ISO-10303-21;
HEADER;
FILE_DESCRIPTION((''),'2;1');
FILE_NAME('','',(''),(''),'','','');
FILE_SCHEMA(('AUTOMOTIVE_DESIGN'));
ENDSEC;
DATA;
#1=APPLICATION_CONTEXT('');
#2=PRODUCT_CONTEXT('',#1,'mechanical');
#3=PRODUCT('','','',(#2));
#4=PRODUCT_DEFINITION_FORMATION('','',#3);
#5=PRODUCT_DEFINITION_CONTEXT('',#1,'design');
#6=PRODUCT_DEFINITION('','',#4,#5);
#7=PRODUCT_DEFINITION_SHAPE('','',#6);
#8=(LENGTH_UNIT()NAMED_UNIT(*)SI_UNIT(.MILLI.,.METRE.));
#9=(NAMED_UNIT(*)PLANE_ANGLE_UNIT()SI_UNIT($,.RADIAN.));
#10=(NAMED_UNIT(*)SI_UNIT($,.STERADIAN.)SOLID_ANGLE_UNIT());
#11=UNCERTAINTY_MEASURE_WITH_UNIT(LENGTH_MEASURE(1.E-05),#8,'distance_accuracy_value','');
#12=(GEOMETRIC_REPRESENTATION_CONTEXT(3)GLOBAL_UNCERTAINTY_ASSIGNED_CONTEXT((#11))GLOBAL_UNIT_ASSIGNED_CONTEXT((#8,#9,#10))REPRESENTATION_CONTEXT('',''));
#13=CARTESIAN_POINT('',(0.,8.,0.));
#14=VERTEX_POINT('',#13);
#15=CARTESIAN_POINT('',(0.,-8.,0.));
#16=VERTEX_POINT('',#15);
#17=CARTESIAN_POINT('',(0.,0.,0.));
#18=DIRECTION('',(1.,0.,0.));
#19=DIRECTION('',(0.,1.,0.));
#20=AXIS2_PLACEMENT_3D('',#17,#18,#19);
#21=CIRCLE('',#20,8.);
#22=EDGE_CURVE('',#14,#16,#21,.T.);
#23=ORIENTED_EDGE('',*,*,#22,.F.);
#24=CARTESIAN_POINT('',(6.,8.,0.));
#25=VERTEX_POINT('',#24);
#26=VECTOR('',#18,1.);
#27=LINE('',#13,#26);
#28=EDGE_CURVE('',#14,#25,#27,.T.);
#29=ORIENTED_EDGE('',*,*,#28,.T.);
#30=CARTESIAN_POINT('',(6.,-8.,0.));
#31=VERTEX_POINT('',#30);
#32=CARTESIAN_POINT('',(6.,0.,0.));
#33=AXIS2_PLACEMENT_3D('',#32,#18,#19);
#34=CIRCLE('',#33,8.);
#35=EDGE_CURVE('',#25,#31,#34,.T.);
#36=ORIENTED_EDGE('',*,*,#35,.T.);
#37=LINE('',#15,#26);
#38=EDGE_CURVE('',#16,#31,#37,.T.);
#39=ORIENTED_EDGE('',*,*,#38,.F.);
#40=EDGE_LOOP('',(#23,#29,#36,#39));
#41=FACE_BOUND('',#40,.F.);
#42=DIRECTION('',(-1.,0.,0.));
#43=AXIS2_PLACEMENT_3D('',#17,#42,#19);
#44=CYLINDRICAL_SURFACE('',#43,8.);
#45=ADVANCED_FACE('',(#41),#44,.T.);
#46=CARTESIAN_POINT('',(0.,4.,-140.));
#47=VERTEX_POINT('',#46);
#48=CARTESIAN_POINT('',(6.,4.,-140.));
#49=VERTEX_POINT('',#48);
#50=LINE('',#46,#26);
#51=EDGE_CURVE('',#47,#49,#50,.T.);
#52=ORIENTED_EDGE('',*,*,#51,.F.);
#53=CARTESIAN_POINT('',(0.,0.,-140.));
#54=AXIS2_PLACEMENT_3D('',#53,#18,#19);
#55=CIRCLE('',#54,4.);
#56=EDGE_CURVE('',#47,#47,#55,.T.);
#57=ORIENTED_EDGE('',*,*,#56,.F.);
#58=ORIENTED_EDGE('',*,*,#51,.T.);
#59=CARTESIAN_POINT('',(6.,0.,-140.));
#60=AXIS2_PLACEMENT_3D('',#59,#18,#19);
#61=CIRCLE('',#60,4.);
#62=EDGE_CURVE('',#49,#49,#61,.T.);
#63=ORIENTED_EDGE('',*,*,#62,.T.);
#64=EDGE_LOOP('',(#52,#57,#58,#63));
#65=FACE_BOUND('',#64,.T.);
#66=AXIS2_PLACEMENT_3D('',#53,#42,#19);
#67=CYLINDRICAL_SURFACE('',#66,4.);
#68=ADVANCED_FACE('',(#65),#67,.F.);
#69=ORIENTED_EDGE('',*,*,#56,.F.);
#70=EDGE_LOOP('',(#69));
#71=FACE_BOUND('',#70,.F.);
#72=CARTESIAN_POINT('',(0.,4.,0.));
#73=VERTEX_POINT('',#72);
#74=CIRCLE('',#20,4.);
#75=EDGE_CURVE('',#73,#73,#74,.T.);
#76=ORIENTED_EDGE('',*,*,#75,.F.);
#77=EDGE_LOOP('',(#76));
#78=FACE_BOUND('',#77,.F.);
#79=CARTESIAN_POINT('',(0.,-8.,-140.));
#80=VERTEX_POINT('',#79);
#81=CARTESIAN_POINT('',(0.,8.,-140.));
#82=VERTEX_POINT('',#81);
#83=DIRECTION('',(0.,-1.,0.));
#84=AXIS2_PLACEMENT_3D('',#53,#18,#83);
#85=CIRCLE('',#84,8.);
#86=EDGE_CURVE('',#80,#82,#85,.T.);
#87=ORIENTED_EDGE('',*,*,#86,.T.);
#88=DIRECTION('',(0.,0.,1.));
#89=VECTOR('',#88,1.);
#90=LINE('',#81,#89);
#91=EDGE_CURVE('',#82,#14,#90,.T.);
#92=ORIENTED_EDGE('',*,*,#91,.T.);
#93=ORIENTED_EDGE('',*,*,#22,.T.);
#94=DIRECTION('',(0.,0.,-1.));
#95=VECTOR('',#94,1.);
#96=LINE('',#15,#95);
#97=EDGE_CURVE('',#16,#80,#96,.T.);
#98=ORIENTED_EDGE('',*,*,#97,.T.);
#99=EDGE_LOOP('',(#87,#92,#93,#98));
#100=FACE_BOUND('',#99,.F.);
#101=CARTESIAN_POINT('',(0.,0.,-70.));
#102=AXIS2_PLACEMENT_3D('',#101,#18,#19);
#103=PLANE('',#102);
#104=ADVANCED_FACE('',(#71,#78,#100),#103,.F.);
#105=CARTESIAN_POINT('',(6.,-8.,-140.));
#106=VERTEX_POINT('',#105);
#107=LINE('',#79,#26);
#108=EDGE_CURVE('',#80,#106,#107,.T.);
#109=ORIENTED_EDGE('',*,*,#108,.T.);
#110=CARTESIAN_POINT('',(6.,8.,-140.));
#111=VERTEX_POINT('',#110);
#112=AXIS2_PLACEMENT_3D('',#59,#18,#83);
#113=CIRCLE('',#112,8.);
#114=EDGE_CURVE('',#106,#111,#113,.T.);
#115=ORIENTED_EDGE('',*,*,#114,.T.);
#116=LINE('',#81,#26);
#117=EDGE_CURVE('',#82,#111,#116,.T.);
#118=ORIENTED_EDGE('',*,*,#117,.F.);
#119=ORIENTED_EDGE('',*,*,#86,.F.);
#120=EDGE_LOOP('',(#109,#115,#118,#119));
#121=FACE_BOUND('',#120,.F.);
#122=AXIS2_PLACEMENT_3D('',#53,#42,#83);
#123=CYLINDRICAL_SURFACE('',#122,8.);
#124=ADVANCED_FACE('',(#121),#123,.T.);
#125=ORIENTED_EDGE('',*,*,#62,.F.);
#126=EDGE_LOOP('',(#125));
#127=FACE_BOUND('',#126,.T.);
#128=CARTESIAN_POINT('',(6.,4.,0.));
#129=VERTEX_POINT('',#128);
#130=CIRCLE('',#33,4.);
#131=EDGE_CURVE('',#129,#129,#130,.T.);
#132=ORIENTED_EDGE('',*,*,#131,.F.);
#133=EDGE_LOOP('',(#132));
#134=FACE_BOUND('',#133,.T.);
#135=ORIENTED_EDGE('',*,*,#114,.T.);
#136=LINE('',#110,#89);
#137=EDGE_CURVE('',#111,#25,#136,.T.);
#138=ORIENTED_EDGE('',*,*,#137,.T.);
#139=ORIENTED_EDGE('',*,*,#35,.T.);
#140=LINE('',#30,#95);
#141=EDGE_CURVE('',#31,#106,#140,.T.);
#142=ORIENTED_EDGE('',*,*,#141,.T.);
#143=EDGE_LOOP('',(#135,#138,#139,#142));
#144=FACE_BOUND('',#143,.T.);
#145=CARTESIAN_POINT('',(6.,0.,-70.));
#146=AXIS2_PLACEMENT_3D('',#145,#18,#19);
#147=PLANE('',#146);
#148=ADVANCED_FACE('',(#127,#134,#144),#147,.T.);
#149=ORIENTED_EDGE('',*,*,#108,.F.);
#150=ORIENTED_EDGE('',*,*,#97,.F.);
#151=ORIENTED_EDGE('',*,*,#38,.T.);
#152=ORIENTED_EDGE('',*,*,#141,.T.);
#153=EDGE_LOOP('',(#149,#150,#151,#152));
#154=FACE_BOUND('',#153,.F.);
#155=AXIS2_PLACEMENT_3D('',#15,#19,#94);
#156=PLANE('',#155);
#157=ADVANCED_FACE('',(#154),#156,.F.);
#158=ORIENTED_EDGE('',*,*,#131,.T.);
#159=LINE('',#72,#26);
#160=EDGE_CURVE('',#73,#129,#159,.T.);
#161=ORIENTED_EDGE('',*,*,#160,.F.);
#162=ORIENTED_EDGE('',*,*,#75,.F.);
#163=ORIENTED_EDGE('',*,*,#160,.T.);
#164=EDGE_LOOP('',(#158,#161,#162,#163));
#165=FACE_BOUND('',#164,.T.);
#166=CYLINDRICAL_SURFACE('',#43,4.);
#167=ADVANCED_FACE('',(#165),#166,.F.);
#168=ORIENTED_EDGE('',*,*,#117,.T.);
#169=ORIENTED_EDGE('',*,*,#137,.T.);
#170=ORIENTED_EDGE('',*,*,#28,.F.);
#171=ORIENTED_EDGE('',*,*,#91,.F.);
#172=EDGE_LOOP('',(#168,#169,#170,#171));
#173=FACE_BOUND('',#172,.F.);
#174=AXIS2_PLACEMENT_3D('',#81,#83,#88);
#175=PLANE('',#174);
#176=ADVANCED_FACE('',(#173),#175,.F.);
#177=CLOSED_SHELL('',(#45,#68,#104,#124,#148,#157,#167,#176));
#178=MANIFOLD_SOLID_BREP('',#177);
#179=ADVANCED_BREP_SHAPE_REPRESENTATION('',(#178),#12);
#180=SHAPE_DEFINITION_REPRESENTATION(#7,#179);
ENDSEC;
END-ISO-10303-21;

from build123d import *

# Parameters (mm, degrees)
F0_R     = 4
F1_DEPTH = 6


with BuildPart() as f1:
    # F0 (on Right) → F1 (new body)
    with BuildSketch(Plane.YZ):
        with BuildLine():
            Line((8, -140), (8, 0))
            ThreePointArc((8, 0), (0, 8), (-8, 0))
            Line((-8, 0), (-8, -140))
            ThreePointArc((-8, -140), (0, -148), (8, -140))
        make_face()
        with Locations((0, -140)):
            Circle(F0_R, mode=Mode.SUBTRACT)
        Circle(F0_R, mode=Mode.SUBTRACT)
    extrude(amount=F1_DEPTH)


solid = f1.part
